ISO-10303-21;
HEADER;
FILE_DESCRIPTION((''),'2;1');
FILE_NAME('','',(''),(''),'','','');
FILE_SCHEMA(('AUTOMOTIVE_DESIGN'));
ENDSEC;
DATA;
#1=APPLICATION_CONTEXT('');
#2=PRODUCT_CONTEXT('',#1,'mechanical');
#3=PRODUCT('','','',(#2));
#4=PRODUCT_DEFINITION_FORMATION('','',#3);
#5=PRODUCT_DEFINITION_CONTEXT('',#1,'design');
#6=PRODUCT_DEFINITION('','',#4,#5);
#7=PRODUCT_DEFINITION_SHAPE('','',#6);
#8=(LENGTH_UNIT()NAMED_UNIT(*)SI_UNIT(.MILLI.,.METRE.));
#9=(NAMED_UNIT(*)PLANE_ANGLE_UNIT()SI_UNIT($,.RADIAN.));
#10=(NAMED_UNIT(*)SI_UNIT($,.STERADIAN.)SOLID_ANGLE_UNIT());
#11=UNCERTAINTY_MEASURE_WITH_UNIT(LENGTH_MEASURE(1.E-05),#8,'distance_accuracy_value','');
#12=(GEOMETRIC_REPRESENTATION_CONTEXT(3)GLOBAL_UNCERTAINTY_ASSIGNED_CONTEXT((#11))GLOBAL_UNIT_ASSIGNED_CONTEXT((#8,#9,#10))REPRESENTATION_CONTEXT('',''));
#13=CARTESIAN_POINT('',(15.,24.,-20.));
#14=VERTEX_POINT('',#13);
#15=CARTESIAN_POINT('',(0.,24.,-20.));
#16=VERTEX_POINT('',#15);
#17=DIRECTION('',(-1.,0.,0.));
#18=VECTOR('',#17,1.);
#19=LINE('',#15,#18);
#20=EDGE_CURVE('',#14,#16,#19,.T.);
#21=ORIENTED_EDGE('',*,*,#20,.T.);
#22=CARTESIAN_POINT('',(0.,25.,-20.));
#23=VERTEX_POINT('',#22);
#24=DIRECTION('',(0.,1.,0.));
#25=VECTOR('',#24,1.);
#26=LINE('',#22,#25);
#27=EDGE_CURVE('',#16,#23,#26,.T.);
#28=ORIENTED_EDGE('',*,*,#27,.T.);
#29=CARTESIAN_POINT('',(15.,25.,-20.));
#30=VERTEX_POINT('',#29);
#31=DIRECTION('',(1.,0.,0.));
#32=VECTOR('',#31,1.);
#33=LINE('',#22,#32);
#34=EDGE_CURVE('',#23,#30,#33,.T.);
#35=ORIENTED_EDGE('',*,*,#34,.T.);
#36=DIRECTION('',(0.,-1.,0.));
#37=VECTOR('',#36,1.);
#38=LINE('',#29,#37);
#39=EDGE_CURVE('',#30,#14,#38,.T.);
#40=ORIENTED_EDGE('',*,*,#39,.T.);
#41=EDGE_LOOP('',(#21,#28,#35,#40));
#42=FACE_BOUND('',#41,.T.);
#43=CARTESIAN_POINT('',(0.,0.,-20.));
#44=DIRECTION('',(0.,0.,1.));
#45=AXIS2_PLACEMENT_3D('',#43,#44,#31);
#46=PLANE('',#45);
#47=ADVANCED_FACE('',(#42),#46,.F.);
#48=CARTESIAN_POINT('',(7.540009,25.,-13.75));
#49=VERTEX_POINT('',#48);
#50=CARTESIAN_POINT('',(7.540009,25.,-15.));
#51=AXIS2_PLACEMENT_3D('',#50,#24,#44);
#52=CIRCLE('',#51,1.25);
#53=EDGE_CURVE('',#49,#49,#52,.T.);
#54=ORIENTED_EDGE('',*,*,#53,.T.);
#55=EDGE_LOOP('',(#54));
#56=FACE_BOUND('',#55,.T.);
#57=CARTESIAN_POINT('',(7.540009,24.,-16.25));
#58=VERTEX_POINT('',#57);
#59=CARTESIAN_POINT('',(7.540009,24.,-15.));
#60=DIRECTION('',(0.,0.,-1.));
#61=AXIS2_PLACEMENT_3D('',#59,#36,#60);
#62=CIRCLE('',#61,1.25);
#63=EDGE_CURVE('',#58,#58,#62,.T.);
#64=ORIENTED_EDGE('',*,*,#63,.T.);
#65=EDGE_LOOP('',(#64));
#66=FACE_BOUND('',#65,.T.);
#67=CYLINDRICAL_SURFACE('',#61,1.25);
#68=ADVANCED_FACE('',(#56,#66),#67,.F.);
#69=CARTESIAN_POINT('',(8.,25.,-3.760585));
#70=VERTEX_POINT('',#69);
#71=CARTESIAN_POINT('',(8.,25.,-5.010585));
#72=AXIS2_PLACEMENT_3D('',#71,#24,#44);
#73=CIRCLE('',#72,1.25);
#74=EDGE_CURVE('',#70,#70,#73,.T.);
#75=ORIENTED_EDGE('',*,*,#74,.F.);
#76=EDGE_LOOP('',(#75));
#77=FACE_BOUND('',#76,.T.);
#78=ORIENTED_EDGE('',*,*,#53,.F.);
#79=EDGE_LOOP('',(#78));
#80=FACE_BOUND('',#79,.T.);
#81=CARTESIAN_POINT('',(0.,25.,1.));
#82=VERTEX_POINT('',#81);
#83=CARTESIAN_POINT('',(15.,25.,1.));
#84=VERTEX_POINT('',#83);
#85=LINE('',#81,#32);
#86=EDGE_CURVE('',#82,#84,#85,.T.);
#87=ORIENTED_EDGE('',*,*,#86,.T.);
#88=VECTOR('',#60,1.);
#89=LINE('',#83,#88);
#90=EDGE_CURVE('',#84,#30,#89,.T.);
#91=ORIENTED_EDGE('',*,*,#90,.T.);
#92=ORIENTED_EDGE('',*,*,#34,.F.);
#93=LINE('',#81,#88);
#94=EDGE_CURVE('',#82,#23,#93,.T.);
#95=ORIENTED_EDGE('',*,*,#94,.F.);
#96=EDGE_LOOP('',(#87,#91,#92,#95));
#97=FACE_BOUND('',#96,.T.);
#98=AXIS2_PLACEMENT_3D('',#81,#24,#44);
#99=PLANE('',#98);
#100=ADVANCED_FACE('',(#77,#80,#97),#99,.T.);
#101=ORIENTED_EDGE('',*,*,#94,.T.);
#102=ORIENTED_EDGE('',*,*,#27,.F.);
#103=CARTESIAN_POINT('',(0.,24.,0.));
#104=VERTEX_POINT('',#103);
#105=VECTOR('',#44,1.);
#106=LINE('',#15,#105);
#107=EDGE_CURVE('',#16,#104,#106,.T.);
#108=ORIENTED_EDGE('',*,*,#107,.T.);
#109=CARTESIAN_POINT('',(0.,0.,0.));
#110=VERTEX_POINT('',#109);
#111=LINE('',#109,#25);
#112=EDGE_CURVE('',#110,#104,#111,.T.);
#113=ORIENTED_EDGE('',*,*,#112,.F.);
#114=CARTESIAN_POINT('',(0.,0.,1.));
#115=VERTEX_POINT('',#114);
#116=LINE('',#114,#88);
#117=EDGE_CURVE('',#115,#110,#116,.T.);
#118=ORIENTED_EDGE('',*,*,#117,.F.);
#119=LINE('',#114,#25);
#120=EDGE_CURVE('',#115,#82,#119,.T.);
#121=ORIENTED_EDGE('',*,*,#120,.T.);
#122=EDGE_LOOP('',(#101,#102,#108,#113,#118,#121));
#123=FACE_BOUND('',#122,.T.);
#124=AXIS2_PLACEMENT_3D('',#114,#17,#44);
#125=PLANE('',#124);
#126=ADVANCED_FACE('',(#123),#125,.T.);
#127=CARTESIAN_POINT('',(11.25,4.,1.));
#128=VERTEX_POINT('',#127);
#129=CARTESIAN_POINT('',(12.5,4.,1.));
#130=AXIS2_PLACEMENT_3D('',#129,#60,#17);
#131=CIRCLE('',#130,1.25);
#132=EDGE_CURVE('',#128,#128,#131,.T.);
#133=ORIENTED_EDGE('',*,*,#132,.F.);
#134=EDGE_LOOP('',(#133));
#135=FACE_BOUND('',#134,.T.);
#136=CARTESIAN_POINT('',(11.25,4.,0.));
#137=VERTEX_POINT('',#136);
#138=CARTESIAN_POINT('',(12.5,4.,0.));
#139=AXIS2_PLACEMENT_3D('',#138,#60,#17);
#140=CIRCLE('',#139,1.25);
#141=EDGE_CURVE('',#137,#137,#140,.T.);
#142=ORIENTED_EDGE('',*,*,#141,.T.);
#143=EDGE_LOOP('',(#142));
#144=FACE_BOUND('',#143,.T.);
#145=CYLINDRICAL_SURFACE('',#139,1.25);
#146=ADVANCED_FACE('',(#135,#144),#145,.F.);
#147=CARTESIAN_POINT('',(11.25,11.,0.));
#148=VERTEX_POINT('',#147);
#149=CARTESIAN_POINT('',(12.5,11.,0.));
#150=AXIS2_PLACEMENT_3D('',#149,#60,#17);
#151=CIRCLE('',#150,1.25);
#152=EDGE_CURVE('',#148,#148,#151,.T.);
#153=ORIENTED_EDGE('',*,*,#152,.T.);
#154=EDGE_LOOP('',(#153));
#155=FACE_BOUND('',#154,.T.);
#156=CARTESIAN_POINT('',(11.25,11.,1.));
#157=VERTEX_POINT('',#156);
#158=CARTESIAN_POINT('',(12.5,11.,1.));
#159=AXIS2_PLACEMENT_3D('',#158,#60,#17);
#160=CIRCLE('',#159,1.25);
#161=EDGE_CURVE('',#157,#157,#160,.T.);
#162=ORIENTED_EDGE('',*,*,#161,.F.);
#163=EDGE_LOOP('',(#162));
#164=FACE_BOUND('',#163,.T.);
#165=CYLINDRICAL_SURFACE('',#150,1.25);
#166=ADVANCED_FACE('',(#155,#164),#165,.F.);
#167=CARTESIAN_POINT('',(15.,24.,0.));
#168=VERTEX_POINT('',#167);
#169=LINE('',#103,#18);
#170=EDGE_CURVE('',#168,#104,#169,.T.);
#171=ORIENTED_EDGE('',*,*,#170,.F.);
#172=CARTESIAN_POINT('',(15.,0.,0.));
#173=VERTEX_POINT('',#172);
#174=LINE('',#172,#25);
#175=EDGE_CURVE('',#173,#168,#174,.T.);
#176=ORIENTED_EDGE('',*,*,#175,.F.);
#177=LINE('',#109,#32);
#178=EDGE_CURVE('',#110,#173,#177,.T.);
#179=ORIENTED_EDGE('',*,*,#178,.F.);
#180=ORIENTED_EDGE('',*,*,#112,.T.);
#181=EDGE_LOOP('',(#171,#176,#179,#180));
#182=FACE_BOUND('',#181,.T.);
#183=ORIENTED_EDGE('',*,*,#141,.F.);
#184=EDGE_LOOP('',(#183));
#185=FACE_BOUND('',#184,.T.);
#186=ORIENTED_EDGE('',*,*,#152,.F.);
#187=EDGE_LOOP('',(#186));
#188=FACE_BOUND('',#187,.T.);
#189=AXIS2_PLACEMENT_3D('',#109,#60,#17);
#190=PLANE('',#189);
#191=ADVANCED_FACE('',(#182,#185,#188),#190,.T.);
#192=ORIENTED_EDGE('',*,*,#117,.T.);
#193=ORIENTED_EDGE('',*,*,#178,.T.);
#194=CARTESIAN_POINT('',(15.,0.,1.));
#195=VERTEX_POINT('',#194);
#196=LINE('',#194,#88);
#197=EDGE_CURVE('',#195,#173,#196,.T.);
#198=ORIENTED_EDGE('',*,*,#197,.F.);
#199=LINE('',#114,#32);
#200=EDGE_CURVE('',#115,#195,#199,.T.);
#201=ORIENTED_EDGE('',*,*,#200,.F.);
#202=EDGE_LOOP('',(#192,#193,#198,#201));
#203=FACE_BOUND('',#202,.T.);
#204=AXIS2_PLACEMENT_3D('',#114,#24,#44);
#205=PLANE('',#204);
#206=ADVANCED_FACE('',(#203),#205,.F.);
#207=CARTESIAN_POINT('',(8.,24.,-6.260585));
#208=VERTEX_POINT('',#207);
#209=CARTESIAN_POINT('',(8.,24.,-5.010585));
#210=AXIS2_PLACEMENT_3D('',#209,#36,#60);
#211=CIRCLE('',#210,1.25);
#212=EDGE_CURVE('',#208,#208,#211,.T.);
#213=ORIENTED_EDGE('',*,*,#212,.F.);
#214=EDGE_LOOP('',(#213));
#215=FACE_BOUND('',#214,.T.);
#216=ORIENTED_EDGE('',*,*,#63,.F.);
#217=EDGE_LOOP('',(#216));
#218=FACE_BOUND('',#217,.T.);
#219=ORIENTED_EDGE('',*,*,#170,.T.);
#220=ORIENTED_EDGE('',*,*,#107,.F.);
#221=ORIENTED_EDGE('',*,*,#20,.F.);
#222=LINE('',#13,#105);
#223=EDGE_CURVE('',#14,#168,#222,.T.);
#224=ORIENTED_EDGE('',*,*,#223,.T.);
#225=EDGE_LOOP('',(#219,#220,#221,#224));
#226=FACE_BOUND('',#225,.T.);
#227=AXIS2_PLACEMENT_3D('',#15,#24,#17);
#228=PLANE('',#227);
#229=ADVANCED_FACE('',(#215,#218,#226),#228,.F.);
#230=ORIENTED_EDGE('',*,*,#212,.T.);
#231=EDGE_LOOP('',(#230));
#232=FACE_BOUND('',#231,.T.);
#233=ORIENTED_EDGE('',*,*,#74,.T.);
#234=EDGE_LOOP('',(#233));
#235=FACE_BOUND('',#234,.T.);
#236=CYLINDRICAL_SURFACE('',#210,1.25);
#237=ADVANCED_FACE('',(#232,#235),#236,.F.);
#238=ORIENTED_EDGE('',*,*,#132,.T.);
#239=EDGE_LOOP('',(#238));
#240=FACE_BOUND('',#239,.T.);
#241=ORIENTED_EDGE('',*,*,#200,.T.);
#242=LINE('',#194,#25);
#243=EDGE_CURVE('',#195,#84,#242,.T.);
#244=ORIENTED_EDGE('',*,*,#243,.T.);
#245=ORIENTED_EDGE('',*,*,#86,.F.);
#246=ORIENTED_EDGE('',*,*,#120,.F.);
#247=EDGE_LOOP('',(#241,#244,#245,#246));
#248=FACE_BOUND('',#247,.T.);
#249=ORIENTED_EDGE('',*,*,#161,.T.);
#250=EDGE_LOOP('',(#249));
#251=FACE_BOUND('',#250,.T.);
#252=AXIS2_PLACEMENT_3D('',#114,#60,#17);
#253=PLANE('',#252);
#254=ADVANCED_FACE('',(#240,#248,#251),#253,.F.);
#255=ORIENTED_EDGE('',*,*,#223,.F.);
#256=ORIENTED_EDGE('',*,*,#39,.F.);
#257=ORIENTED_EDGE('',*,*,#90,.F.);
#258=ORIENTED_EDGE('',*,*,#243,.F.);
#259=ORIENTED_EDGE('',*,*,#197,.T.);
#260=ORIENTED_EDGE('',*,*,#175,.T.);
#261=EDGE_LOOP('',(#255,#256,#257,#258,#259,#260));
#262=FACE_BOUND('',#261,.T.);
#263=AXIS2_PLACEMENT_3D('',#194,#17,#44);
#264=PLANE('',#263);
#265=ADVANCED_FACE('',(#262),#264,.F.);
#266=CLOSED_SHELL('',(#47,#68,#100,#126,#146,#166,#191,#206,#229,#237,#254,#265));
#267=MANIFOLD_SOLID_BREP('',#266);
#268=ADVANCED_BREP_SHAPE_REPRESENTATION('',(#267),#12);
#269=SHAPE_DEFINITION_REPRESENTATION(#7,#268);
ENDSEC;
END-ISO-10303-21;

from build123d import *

# Parameters (mm, degrees)
SKETCH_1_W      = 15
SKETCH_1_H      = 25
EXTRUDE_1_DEPTH = 1
M3X0_5_1_D      = 2.5
M3X0_5_1_DEPTH  = 8.5
M3X0_5_1_TIP    = 0.751075774
SKETCH_4_W      = 15
SKETCH_4_H      = 1
EXTRUDE_2_DEPTH = 20
M3X0_5_2_D      = 2.5
M3X0_5_2_DEPTH  = 8.5
M3X0_5_2_TIP    = 0.751075774


with BuildPart() as part:
    # ｽｹｯﾁ1 → ﾎﾞｽ - 押し出し1 (new body)
    with BuildSketch(Plane.XY):
        with Locations((7.5, 12.5)):
            Rectangle(SKETCH_1_W, SKETCH_1_H)
    extrude(amount=EXTRUDE_1_DEPTH)

    # M3x0.5 ねじ穴1
    with Locations(Plane(origin=(0, 0, 0), x_dir=(-1, 0, 0), z_dir=(0, 0, -1))):
        with Locations((-12.5, 11), (-12.5, 4)):
            Hole(M3X0_5_1_D / 2, depth=M3X0_5_1_DEPTH)
            with Locations((0, 0, -(M3X0_5_1_DEPTH + M3X0_5_1_TIP / 2))):  # 118° drill point
                Cone(0, M3X0_5_1_D / 2, M3X0_5_1_TIP, mode=Mode.SUBTRACT)

    # ｽｹｯﾁ4 → ﾎﾞｽ - 押し出し2 (add)
    with BuildSketch(Plane(origin=(0, 0, 0), x_dir=(-1, 0, 0), z_dir=(0, 0, -1))):
        with Locations((-7.5, 24.5)):
            Rectangle(SKETCH_4_W, SKETCH_4_H)
    extrude(amount=EXTRUDE_2_DEPTH)

    # M3x0.5 ねじ穴2
    with Locations(Plane(origin=(0, 24, 0), x_dir=(-1, 0, 0), z_dir=(0, -1, 0))):
        with Locations((-8, 5.010585189), (-7.540008994, 15)):
            Hole(M3X0_5_2_D / 2, depth=M3X0_5_2_DEPTH)
            with Locations((0, 0, -(M3X0_5_2_DEPTH + M3X0_5_2_TIP / 2))):  # 118° drill point
                Cone(0, M3X0_5_2_D / 2, M3X0_5_2_TIP, mode=Mode.SUBTRACT)


solid = part.part
